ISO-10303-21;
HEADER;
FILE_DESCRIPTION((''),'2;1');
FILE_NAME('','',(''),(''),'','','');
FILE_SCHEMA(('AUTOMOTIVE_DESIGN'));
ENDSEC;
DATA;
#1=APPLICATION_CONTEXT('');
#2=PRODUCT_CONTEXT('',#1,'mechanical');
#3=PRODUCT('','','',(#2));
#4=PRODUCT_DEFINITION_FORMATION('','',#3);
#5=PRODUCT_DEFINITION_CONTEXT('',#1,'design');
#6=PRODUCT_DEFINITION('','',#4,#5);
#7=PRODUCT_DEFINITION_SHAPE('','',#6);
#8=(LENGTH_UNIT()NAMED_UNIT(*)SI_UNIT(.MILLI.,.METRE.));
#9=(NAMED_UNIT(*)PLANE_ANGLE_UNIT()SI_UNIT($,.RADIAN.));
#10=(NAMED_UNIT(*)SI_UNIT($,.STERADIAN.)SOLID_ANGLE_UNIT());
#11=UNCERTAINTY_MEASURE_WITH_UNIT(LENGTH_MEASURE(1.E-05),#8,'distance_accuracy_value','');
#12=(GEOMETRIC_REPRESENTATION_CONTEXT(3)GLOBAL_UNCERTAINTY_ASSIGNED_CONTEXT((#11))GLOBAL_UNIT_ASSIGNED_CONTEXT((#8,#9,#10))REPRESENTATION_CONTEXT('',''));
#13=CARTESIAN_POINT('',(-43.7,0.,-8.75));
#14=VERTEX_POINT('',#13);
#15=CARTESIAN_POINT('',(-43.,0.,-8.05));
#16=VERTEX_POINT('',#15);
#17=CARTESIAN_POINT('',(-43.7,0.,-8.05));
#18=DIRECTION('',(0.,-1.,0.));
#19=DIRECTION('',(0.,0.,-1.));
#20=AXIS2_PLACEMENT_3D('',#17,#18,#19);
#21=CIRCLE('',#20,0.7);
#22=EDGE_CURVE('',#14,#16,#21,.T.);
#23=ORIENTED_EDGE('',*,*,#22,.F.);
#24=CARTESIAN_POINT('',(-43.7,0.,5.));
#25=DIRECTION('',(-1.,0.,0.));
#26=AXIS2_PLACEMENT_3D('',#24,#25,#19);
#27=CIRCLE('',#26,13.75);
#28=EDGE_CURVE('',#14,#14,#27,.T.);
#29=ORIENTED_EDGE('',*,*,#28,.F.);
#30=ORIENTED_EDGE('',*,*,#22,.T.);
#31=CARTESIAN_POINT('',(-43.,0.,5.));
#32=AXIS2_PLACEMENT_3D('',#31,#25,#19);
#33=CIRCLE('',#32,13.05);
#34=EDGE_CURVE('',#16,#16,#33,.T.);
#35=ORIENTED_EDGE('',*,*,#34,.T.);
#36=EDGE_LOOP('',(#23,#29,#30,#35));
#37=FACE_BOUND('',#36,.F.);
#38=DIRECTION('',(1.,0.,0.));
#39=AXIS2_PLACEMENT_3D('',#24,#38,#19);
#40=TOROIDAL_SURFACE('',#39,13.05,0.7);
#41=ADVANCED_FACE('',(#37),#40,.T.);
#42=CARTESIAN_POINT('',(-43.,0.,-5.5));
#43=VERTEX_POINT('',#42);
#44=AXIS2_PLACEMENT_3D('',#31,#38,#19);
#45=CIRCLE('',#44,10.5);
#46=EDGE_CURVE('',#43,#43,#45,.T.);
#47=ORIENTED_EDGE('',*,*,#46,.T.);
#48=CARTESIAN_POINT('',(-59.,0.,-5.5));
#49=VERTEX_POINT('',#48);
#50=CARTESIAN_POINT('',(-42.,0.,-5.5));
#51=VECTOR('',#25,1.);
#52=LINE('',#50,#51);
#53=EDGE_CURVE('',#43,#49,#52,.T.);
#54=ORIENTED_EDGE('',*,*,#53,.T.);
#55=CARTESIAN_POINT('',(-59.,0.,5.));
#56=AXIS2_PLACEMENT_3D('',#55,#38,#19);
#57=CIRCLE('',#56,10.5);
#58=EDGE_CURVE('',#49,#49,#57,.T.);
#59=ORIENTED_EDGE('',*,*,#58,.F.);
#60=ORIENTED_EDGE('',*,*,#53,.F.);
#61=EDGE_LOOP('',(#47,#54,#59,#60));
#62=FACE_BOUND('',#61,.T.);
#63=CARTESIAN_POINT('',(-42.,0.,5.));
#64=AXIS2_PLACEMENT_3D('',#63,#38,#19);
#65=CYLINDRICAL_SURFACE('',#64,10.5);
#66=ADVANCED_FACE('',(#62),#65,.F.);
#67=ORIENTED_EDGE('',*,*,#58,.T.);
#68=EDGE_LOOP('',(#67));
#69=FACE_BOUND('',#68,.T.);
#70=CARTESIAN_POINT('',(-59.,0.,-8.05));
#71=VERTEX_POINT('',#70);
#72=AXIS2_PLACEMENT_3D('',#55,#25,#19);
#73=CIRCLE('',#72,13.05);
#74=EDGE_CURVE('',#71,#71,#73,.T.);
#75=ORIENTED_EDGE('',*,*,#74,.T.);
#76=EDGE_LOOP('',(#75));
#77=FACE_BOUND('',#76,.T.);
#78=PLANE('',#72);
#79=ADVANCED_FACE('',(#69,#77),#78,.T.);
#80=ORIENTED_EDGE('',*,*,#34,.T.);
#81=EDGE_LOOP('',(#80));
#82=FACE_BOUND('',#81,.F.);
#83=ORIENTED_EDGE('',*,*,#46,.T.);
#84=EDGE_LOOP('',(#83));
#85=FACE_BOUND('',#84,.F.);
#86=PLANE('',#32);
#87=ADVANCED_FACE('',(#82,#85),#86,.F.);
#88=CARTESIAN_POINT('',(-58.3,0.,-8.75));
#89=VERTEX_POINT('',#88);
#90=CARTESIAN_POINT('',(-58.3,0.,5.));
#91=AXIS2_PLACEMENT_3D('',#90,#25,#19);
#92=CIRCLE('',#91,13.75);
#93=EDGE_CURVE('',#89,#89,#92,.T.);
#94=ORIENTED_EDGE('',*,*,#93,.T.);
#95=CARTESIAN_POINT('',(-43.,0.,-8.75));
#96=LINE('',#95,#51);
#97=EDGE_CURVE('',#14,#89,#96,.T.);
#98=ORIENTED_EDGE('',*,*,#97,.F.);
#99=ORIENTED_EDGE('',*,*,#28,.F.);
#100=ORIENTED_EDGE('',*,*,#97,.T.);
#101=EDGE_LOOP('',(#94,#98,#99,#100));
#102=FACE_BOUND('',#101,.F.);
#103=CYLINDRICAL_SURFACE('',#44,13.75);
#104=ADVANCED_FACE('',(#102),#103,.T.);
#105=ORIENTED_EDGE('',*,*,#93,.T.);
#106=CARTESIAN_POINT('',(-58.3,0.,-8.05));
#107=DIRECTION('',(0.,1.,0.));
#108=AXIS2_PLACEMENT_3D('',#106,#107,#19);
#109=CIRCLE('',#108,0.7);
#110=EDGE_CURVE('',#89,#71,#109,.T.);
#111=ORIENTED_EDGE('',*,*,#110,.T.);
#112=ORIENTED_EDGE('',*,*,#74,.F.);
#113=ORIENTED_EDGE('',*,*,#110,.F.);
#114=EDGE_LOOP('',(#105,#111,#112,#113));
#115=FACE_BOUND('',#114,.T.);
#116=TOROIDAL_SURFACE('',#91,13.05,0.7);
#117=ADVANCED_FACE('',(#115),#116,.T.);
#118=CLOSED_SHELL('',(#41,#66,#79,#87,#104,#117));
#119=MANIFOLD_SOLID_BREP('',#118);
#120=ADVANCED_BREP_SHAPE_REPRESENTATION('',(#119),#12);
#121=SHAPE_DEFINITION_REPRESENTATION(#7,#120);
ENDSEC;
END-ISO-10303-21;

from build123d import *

# Parameters (mm, degrees)
CYLINDER041_R            = 10.5
CYLINDER041_DEPTH        = 20
CYLINDER040_R            = 13.75
CYLINDER040_DEPTH        = 16
FILLET013_R              = 0.7
CLONE043_PITCH_ANGLE     = 90
CLONE051_PLACEMENT_ANGLE = 180


with BuildPart() as cylinder041:
    # Cylinder041 → Cylinder041 (new body)
    with BuildSketch(Plane.XY.offset(-1)):
        Circle(CYLINDER041_R)
    extrude(amount=CYLINDER041_DEPTH)


with BuildPart() as left_tire:
    # Cylinder040 → Cylinder040 (new body)
    with BuildSketch(Plane.XY):
        Circle(CYLINDER040_R)
    extrude(amount=CYLINDER040_DEPTH)

    # Cut027: cut Cylinder041
    add(cylinder041.part, mode=Mode.SUBTRACT)

    # Fillet013
    fillet013_edges = [left_tire.edges().sort_by_distance(p)[0] for p in [
        (-13.75, 0, 16),
        (-13.75, 0, 0),
    ]]
    fillet(fillet013_edges, radius=FILLET013_R)


with BuildPart() as left_tire_1:
    # Clone043 pitch: moved
    add(left_tire.part.rotate(Axis((0, 0, 0), (0, 1, 0)), CLONE043_PITCH_ANGLE))


with BuildPart() as left_tire_2:
    # Clone043 placement: moved
    add(left_tire_1.part.moved(Location((43, 0, 5))))


with BuildPart() as left_tire_3:
    # Clone051 placement: moved
    add(left_tire_2.part.moved(Location((0, 0, 0))).rotate(Axis((0, 0, 0), (0, 0, 1)), CLONE051_PLACEMENT_ANGLE))


solid = left_tire_3.part
